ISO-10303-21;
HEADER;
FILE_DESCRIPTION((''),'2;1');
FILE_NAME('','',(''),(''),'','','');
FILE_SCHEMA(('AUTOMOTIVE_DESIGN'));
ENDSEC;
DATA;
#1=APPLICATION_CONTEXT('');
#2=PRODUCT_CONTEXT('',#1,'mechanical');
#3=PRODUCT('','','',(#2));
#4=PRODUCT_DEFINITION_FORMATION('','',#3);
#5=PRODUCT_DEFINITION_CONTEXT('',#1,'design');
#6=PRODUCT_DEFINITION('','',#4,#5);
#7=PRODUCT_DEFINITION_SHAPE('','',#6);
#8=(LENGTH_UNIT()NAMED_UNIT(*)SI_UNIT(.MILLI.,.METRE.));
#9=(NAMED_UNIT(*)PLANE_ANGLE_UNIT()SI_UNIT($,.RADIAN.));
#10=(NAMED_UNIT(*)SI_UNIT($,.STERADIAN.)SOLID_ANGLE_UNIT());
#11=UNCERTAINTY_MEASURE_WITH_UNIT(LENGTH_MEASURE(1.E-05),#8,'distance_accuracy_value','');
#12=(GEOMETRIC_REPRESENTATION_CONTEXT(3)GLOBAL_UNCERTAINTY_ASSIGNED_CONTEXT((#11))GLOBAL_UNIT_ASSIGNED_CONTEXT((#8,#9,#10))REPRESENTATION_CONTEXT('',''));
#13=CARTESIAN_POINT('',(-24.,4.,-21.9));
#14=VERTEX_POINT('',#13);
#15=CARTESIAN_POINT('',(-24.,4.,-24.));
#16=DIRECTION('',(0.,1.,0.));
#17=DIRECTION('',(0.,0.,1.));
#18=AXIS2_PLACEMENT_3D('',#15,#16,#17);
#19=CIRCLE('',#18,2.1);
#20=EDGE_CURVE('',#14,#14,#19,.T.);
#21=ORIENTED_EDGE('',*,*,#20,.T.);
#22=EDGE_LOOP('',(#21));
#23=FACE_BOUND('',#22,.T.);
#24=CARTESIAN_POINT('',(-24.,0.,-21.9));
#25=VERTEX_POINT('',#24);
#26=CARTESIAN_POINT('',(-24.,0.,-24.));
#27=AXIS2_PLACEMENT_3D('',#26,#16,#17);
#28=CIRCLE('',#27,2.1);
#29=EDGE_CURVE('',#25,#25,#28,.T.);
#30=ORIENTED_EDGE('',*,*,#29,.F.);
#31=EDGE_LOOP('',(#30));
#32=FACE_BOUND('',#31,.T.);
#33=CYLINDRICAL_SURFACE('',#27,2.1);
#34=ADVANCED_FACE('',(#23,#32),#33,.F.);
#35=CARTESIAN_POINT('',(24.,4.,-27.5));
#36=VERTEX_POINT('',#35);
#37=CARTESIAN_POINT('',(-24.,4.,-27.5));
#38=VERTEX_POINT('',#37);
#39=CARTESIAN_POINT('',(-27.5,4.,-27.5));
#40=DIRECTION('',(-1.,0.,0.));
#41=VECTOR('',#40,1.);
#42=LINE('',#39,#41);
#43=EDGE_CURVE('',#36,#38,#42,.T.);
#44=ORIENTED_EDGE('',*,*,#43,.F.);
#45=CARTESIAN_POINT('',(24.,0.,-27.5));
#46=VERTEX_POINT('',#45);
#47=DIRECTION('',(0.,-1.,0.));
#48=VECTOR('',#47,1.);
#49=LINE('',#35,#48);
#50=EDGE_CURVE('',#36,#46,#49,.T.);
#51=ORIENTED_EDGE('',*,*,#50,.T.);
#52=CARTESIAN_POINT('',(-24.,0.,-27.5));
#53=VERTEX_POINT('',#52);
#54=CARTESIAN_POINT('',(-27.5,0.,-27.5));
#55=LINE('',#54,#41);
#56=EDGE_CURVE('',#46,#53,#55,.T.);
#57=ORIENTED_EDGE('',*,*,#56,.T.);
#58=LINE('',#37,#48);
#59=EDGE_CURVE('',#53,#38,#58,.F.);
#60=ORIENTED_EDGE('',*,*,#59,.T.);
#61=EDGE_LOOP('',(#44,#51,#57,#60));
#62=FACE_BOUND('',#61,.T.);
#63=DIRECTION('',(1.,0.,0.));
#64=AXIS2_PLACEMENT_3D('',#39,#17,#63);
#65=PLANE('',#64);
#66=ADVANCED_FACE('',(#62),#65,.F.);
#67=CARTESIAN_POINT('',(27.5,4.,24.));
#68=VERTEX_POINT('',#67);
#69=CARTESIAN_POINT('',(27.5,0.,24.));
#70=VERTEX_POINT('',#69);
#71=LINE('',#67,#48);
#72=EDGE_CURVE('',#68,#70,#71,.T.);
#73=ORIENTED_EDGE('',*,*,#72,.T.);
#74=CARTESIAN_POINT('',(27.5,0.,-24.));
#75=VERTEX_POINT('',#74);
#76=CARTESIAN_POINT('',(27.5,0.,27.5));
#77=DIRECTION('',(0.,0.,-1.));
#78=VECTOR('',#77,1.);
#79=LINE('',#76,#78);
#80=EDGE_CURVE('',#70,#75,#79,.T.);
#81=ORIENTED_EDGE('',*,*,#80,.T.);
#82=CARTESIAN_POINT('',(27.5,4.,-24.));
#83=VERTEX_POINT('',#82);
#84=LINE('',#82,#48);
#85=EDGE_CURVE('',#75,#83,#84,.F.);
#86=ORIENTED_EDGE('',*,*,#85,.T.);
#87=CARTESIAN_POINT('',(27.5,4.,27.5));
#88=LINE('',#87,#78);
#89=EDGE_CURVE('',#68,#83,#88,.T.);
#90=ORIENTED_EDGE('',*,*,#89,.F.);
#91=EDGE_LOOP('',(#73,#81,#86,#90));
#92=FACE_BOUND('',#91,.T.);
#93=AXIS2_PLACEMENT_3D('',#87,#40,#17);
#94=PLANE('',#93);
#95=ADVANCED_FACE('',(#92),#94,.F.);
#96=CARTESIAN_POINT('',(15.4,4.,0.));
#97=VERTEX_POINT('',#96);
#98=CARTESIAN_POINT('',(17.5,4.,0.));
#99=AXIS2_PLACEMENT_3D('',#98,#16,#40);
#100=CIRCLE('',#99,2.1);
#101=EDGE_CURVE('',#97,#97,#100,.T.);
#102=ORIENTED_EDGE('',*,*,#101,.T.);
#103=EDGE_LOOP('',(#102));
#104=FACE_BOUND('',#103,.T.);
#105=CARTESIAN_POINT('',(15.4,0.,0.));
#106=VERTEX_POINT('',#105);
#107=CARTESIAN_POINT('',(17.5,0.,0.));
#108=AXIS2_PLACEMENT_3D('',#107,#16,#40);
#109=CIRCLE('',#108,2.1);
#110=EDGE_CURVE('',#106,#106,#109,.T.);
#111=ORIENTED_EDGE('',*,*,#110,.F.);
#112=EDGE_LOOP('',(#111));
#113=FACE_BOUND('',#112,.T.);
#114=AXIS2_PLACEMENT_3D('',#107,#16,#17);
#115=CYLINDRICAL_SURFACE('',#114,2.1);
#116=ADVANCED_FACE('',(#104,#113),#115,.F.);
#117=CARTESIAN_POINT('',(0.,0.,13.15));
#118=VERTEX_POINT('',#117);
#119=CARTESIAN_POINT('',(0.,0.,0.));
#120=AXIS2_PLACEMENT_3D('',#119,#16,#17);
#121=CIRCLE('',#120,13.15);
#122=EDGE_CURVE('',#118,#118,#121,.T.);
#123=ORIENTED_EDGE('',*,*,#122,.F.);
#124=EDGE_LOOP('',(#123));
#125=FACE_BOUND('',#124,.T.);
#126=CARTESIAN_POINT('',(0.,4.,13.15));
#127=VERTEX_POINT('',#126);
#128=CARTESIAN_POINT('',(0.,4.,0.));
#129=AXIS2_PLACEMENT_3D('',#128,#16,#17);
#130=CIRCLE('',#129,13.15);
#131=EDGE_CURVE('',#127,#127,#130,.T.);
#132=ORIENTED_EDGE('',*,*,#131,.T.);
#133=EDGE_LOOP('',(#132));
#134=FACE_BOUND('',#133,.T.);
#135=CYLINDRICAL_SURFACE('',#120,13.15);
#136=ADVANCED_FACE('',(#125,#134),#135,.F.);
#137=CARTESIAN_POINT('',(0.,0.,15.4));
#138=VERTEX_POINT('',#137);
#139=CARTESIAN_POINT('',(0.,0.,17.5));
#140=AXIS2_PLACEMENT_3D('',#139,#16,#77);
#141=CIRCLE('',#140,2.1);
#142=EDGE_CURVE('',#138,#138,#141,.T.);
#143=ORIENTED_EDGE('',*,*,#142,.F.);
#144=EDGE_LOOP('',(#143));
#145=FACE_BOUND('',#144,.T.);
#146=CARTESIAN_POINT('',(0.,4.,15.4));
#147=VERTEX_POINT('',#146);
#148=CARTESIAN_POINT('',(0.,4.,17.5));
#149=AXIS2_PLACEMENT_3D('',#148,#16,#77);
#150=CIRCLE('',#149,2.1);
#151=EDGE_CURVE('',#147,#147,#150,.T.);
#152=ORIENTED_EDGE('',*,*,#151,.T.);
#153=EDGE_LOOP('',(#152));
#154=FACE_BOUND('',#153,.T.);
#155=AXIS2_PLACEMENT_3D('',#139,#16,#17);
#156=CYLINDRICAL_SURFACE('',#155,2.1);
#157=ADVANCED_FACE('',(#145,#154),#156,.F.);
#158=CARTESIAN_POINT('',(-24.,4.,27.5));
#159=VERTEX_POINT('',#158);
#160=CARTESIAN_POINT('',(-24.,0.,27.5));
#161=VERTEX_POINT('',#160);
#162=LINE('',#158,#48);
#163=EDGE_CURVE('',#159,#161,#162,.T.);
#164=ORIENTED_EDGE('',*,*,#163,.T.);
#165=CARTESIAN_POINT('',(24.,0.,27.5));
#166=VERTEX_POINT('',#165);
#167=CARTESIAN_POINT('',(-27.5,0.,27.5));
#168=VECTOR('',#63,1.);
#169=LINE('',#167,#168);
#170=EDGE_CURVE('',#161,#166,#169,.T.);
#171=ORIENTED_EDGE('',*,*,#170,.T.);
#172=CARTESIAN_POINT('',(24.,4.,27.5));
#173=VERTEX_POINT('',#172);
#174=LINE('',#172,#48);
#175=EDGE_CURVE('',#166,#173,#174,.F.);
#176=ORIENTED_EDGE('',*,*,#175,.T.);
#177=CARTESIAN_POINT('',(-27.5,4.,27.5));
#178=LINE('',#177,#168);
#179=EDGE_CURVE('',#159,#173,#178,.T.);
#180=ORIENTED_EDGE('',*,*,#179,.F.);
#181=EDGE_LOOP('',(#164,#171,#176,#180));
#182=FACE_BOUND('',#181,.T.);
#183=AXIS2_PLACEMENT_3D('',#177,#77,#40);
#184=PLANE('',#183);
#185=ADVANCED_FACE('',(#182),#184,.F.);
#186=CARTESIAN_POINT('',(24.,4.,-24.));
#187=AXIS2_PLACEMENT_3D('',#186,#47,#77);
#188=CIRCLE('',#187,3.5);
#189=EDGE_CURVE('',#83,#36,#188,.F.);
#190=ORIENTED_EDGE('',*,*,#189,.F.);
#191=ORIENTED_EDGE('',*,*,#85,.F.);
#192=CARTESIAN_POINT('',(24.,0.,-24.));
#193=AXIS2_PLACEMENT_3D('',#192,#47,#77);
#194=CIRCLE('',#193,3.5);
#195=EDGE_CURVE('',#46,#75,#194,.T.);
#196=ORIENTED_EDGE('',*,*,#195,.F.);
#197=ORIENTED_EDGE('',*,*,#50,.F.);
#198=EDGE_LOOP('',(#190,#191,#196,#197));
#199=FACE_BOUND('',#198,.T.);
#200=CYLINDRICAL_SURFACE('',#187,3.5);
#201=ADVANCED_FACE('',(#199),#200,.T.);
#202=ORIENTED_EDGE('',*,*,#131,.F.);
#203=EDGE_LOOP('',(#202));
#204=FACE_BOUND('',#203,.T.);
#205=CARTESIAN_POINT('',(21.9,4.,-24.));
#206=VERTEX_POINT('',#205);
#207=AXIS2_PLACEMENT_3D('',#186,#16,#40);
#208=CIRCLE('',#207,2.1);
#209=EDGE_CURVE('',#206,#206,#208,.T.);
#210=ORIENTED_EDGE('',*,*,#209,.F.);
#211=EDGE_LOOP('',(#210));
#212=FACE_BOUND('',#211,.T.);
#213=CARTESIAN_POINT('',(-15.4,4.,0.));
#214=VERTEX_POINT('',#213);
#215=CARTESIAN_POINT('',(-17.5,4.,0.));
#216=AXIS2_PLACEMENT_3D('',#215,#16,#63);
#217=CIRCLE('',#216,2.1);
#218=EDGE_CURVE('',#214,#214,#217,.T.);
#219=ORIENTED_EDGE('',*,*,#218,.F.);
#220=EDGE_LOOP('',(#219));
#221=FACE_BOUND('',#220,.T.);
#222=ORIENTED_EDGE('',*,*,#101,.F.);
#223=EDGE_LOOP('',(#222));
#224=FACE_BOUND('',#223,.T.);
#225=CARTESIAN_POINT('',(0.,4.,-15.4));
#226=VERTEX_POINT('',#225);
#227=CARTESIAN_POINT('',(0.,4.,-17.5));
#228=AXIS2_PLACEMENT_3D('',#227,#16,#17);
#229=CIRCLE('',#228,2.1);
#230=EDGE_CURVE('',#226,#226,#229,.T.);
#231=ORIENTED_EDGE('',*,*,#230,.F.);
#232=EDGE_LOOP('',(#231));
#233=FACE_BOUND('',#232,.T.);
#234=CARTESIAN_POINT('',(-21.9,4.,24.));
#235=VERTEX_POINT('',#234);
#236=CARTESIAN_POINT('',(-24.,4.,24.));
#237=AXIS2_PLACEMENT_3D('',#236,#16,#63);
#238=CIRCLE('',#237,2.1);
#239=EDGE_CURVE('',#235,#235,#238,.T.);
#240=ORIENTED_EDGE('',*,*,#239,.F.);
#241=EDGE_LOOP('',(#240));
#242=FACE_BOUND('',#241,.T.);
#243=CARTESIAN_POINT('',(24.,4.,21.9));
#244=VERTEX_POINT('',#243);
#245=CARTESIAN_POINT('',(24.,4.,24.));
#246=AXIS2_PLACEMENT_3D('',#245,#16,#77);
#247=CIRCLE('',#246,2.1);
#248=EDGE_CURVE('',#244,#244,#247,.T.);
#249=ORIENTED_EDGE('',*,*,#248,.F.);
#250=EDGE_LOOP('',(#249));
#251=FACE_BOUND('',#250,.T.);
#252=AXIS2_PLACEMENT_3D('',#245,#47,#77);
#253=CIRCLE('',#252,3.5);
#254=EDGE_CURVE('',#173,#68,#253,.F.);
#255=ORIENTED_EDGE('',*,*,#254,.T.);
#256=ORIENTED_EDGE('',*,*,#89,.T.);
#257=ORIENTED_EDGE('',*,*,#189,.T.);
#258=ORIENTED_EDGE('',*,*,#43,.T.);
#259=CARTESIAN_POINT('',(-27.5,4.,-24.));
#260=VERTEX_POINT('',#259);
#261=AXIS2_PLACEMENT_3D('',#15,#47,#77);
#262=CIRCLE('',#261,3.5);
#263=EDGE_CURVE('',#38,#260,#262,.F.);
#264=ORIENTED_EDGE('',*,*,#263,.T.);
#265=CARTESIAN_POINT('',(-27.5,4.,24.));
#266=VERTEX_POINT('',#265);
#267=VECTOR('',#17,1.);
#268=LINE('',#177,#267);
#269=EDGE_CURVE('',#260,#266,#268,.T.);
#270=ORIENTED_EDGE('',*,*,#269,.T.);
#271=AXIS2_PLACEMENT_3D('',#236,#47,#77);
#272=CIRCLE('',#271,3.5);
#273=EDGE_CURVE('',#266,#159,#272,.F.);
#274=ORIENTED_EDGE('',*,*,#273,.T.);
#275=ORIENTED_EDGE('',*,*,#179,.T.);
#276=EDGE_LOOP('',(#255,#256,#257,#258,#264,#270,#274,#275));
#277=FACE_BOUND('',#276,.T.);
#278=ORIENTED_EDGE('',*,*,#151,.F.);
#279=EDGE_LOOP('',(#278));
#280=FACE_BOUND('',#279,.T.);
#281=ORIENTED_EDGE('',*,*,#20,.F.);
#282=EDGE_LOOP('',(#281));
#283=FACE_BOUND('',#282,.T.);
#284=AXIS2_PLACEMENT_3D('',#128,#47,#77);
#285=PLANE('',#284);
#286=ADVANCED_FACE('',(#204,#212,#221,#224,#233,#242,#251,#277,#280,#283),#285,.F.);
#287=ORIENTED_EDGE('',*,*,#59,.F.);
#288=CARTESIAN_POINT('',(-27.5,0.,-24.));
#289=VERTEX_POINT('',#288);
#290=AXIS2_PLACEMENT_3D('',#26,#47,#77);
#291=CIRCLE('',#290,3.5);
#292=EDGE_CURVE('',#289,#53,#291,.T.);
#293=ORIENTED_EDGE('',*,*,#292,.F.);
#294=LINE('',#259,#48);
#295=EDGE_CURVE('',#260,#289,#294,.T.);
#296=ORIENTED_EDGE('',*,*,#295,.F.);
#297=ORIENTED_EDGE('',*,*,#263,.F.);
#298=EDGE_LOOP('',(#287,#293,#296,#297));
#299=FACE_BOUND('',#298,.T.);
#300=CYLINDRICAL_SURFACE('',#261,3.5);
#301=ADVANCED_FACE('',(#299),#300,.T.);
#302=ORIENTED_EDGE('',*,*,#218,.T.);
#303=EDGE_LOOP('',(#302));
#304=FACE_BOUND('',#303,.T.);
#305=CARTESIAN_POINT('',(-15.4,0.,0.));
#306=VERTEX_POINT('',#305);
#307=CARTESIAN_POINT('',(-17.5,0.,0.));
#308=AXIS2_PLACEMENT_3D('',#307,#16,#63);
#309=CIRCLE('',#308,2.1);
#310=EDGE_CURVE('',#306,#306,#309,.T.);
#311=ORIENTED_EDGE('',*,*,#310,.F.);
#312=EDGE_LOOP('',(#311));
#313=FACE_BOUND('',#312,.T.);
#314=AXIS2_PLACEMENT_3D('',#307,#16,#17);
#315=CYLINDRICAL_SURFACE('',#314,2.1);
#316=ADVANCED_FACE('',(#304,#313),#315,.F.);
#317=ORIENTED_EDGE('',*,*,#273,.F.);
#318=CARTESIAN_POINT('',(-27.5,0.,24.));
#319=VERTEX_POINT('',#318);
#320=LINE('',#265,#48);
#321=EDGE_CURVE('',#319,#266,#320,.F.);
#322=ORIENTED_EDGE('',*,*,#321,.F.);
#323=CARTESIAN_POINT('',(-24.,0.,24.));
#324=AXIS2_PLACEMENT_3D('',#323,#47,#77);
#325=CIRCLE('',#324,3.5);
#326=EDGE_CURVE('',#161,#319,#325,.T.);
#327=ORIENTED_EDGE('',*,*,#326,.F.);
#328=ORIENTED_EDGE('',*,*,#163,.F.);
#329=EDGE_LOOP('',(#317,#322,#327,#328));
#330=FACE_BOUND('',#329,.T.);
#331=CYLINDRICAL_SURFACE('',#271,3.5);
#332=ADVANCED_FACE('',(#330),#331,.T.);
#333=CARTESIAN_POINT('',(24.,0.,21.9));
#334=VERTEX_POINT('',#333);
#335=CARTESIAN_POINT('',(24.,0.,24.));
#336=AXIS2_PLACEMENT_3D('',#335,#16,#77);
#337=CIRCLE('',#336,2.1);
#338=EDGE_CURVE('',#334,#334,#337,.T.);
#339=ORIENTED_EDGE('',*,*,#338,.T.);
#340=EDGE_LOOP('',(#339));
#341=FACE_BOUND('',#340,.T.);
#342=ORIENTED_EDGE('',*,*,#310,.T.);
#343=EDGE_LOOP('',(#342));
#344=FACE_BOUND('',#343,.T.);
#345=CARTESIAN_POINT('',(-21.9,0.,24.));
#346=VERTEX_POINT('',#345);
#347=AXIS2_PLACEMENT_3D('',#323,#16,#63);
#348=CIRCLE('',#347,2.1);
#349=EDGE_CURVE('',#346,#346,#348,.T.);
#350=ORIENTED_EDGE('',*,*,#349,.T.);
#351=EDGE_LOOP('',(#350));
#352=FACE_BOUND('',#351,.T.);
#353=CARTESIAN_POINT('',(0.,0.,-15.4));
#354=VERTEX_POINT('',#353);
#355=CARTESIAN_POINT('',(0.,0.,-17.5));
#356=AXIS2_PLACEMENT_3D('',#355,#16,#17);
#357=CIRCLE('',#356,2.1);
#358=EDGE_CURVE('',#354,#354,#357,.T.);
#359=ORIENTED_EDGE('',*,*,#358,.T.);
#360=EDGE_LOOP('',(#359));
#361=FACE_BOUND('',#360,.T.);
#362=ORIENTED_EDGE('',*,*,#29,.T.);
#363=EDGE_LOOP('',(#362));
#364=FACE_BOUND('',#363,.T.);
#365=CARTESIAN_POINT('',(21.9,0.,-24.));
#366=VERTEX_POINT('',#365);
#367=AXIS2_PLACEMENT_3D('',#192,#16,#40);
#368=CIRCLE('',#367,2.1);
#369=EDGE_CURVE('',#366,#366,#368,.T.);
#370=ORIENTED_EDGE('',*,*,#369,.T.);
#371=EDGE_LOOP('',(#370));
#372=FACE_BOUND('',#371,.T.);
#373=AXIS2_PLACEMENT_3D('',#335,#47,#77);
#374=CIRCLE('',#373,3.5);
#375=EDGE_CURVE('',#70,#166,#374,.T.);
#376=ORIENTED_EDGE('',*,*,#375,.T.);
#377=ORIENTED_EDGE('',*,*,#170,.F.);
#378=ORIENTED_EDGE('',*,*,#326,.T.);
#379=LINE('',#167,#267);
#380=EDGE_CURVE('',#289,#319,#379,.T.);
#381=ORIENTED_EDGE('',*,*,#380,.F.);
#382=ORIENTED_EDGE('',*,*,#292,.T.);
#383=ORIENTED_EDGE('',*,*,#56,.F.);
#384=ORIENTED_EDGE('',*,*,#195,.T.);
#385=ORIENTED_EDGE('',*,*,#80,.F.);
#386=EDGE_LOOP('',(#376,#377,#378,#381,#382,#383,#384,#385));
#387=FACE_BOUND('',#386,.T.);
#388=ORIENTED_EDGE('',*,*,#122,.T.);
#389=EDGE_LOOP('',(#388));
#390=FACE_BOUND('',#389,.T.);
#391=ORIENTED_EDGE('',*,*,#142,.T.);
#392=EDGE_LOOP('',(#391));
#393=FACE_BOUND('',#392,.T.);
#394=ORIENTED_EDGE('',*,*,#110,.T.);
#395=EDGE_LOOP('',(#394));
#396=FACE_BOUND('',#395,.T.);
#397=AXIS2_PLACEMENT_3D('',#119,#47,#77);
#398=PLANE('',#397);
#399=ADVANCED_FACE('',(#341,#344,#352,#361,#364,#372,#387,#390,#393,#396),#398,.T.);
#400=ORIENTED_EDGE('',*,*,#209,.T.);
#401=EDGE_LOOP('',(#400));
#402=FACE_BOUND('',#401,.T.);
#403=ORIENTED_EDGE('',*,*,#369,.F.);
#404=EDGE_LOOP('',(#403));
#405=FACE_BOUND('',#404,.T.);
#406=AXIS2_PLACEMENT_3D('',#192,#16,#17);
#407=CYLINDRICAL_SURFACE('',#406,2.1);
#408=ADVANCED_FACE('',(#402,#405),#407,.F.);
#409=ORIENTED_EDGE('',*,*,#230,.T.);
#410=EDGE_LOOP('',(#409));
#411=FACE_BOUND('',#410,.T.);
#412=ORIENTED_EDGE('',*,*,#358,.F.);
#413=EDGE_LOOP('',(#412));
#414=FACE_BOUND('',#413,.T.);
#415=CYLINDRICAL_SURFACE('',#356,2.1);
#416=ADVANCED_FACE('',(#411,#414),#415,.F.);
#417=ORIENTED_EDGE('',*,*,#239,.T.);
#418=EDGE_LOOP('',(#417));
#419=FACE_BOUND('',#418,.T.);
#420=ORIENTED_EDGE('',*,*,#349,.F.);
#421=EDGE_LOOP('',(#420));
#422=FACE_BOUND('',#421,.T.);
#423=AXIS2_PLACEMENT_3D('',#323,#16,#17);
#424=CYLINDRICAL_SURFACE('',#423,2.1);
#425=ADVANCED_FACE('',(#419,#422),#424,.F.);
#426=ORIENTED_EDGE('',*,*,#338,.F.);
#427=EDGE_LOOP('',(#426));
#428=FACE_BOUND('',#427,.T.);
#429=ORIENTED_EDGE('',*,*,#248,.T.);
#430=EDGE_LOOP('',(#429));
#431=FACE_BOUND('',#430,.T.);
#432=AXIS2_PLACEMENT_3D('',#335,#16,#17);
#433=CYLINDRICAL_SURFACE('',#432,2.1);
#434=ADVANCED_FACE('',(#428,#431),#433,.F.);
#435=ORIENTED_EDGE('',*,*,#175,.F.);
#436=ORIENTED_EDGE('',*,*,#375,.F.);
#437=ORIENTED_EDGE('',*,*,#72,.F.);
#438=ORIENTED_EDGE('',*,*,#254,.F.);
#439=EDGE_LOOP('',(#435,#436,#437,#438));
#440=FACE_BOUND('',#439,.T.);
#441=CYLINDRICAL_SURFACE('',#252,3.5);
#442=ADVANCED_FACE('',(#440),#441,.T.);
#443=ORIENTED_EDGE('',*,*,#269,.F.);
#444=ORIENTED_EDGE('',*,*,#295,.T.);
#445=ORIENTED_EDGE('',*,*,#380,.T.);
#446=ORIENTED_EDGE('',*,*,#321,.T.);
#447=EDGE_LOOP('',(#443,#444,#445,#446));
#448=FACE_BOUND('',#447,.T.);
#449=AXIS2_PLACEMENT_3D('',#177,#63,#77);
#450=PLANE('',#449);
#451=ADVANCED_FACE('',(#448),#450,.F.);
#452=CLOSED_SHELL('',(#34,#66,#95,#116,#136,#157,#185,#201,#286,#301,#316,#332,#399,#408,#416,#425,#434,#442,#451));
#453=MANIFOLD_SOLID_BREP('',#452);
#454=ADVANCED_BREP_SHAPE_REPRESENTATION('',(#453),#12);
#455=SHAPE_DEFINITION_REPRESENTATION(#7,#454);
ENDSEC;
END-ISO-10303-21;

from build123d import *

# Parameters (mm, degrees)
SKETCH_1_W               = 55
SKETCH_1_H               = 55
EXTRUDE_1_DEPTH          = 4
FILLET_1_R               = 3.5
SKETCH_2_R               = 13.15
CUT_EXTRUDE_1_DEPTH      = 4
SKETCH_3_R               = 2.1
CUT_EXTRUDE_2_DEPTH      = 4
PATTERN_CIRCULAR_1_COUNT = 4
CUT_EXTRUDE_3_DEPTH      = 4
PATTERN_CIRCULAR_2_COUNT = 4


with BuildPart() as part:
    # 草图1 → 凸台-拉伸1 (new body)
    with BuildSketch(Plane(origin=(0, 0, 0), x_dir=(1, 0, 0), z_dir=(0, 1, 0))):
        Rectangle(SKETCH_1_W, SKETCH_1_H)
    extrude(amount=EXTRUDE_1_DEPTH)

    # 圆角1
    fillet_1_edges = [part.edges().sort_by_distance(p)[0] for p in [
        (27.5, 2, 27.5),
        (-27.5, 2, 27.5),
        (-27.5, 2, -27.5),
        (27.5, 2, -27.5),
    ]]
    fillet(fillet_1_edges, radius=FILLET_1_R)

    # 草图2 → 切除-拉伸1 (cut)
    with BuildSketch(Plane(origin=(0, 4, 0), x_dir=(1, 0, 0), z_dir=(0, 1, 0))):
        with Locations(Location((0, 0, 0), (0, 0, 270))):
            Circle(SKETCH_2_R)
    extrude(amount=-CUT_EXTRUDE_1_DEPTH, mode=Mode.SUBTRACT)

    # 草图3 → 切除-拉伸2 (cut)
    with BuildSketch(Plane(origin=(0, 4, 0), x_dir=(1, 0, 0), z_dir=(0, 1, 0))):
        with Locations(Location((0, 17.5, 0), (0, 0, 270))):
            Circle(SKETCH_3_R)
    cut_extrude_2 = extrude(amount=-CUT_EXTRUDE_2_DEPTH, mode=Mode.SUBTRACT)

    # 阵列(圆周)1: 切除-拉伸2 ×4 about axis
    pattern_circular_1_axis = Axis((0, 0, 0), (0, 1, 0))
    for i in range(1, PATTERN_CIRCULAR_1_COUNT):
        add(cut_extrude_2.rotate(pattern_circular_1_axis, i * 360 / PATTERN_CIRCULAR_1_COUNT), mode=Mode.SUBTRACT)

    # 草图4 → 切除-拉伸3 (cut)
    with BuildSketch(Plane(origin=(0, 4, 0), x_dir=(1, 0, 0), z_dir=(0, 1, 0))):
        with BuildLine():
            ThreePointArc((-21.9, 24), (-25.48492424, 25.48492424), (-24, 21.9))
            Line((-24, 21.9), (-24, 24))
            Line((-24, 24), (-21.9, 24))
        make_face()
        with BuildLine():
            Line((-24, 24), (-24, 21.9))
            ThreePointArc((-24, 21.9), (-22.51507576, 22.51507576), (-21.9, 24))
            Line((-21.9, 24), (-24, 24))
        make_face()
    cut_extrude_3 = extrude(amount=-CUT_EXTRUDE_3_DEPTH, mode=Mode.SUBTRACT)

    # 阵列(圆周)2: 切除-拉伸3 ×4 about axis
    pattern_circular_2_axis = Axis((0, 0, 0), (0, 1, 0))
    for i in range(1, PATTERN_CIRCULAR_2_COUNT):
        add(cut_extrude_3.rotate(pattern_circular_2_axis, i * 360 / PATTERN_CIRCULAR_2_COUNT), mode=Mode.SUBTRACT)


solid = part.part
